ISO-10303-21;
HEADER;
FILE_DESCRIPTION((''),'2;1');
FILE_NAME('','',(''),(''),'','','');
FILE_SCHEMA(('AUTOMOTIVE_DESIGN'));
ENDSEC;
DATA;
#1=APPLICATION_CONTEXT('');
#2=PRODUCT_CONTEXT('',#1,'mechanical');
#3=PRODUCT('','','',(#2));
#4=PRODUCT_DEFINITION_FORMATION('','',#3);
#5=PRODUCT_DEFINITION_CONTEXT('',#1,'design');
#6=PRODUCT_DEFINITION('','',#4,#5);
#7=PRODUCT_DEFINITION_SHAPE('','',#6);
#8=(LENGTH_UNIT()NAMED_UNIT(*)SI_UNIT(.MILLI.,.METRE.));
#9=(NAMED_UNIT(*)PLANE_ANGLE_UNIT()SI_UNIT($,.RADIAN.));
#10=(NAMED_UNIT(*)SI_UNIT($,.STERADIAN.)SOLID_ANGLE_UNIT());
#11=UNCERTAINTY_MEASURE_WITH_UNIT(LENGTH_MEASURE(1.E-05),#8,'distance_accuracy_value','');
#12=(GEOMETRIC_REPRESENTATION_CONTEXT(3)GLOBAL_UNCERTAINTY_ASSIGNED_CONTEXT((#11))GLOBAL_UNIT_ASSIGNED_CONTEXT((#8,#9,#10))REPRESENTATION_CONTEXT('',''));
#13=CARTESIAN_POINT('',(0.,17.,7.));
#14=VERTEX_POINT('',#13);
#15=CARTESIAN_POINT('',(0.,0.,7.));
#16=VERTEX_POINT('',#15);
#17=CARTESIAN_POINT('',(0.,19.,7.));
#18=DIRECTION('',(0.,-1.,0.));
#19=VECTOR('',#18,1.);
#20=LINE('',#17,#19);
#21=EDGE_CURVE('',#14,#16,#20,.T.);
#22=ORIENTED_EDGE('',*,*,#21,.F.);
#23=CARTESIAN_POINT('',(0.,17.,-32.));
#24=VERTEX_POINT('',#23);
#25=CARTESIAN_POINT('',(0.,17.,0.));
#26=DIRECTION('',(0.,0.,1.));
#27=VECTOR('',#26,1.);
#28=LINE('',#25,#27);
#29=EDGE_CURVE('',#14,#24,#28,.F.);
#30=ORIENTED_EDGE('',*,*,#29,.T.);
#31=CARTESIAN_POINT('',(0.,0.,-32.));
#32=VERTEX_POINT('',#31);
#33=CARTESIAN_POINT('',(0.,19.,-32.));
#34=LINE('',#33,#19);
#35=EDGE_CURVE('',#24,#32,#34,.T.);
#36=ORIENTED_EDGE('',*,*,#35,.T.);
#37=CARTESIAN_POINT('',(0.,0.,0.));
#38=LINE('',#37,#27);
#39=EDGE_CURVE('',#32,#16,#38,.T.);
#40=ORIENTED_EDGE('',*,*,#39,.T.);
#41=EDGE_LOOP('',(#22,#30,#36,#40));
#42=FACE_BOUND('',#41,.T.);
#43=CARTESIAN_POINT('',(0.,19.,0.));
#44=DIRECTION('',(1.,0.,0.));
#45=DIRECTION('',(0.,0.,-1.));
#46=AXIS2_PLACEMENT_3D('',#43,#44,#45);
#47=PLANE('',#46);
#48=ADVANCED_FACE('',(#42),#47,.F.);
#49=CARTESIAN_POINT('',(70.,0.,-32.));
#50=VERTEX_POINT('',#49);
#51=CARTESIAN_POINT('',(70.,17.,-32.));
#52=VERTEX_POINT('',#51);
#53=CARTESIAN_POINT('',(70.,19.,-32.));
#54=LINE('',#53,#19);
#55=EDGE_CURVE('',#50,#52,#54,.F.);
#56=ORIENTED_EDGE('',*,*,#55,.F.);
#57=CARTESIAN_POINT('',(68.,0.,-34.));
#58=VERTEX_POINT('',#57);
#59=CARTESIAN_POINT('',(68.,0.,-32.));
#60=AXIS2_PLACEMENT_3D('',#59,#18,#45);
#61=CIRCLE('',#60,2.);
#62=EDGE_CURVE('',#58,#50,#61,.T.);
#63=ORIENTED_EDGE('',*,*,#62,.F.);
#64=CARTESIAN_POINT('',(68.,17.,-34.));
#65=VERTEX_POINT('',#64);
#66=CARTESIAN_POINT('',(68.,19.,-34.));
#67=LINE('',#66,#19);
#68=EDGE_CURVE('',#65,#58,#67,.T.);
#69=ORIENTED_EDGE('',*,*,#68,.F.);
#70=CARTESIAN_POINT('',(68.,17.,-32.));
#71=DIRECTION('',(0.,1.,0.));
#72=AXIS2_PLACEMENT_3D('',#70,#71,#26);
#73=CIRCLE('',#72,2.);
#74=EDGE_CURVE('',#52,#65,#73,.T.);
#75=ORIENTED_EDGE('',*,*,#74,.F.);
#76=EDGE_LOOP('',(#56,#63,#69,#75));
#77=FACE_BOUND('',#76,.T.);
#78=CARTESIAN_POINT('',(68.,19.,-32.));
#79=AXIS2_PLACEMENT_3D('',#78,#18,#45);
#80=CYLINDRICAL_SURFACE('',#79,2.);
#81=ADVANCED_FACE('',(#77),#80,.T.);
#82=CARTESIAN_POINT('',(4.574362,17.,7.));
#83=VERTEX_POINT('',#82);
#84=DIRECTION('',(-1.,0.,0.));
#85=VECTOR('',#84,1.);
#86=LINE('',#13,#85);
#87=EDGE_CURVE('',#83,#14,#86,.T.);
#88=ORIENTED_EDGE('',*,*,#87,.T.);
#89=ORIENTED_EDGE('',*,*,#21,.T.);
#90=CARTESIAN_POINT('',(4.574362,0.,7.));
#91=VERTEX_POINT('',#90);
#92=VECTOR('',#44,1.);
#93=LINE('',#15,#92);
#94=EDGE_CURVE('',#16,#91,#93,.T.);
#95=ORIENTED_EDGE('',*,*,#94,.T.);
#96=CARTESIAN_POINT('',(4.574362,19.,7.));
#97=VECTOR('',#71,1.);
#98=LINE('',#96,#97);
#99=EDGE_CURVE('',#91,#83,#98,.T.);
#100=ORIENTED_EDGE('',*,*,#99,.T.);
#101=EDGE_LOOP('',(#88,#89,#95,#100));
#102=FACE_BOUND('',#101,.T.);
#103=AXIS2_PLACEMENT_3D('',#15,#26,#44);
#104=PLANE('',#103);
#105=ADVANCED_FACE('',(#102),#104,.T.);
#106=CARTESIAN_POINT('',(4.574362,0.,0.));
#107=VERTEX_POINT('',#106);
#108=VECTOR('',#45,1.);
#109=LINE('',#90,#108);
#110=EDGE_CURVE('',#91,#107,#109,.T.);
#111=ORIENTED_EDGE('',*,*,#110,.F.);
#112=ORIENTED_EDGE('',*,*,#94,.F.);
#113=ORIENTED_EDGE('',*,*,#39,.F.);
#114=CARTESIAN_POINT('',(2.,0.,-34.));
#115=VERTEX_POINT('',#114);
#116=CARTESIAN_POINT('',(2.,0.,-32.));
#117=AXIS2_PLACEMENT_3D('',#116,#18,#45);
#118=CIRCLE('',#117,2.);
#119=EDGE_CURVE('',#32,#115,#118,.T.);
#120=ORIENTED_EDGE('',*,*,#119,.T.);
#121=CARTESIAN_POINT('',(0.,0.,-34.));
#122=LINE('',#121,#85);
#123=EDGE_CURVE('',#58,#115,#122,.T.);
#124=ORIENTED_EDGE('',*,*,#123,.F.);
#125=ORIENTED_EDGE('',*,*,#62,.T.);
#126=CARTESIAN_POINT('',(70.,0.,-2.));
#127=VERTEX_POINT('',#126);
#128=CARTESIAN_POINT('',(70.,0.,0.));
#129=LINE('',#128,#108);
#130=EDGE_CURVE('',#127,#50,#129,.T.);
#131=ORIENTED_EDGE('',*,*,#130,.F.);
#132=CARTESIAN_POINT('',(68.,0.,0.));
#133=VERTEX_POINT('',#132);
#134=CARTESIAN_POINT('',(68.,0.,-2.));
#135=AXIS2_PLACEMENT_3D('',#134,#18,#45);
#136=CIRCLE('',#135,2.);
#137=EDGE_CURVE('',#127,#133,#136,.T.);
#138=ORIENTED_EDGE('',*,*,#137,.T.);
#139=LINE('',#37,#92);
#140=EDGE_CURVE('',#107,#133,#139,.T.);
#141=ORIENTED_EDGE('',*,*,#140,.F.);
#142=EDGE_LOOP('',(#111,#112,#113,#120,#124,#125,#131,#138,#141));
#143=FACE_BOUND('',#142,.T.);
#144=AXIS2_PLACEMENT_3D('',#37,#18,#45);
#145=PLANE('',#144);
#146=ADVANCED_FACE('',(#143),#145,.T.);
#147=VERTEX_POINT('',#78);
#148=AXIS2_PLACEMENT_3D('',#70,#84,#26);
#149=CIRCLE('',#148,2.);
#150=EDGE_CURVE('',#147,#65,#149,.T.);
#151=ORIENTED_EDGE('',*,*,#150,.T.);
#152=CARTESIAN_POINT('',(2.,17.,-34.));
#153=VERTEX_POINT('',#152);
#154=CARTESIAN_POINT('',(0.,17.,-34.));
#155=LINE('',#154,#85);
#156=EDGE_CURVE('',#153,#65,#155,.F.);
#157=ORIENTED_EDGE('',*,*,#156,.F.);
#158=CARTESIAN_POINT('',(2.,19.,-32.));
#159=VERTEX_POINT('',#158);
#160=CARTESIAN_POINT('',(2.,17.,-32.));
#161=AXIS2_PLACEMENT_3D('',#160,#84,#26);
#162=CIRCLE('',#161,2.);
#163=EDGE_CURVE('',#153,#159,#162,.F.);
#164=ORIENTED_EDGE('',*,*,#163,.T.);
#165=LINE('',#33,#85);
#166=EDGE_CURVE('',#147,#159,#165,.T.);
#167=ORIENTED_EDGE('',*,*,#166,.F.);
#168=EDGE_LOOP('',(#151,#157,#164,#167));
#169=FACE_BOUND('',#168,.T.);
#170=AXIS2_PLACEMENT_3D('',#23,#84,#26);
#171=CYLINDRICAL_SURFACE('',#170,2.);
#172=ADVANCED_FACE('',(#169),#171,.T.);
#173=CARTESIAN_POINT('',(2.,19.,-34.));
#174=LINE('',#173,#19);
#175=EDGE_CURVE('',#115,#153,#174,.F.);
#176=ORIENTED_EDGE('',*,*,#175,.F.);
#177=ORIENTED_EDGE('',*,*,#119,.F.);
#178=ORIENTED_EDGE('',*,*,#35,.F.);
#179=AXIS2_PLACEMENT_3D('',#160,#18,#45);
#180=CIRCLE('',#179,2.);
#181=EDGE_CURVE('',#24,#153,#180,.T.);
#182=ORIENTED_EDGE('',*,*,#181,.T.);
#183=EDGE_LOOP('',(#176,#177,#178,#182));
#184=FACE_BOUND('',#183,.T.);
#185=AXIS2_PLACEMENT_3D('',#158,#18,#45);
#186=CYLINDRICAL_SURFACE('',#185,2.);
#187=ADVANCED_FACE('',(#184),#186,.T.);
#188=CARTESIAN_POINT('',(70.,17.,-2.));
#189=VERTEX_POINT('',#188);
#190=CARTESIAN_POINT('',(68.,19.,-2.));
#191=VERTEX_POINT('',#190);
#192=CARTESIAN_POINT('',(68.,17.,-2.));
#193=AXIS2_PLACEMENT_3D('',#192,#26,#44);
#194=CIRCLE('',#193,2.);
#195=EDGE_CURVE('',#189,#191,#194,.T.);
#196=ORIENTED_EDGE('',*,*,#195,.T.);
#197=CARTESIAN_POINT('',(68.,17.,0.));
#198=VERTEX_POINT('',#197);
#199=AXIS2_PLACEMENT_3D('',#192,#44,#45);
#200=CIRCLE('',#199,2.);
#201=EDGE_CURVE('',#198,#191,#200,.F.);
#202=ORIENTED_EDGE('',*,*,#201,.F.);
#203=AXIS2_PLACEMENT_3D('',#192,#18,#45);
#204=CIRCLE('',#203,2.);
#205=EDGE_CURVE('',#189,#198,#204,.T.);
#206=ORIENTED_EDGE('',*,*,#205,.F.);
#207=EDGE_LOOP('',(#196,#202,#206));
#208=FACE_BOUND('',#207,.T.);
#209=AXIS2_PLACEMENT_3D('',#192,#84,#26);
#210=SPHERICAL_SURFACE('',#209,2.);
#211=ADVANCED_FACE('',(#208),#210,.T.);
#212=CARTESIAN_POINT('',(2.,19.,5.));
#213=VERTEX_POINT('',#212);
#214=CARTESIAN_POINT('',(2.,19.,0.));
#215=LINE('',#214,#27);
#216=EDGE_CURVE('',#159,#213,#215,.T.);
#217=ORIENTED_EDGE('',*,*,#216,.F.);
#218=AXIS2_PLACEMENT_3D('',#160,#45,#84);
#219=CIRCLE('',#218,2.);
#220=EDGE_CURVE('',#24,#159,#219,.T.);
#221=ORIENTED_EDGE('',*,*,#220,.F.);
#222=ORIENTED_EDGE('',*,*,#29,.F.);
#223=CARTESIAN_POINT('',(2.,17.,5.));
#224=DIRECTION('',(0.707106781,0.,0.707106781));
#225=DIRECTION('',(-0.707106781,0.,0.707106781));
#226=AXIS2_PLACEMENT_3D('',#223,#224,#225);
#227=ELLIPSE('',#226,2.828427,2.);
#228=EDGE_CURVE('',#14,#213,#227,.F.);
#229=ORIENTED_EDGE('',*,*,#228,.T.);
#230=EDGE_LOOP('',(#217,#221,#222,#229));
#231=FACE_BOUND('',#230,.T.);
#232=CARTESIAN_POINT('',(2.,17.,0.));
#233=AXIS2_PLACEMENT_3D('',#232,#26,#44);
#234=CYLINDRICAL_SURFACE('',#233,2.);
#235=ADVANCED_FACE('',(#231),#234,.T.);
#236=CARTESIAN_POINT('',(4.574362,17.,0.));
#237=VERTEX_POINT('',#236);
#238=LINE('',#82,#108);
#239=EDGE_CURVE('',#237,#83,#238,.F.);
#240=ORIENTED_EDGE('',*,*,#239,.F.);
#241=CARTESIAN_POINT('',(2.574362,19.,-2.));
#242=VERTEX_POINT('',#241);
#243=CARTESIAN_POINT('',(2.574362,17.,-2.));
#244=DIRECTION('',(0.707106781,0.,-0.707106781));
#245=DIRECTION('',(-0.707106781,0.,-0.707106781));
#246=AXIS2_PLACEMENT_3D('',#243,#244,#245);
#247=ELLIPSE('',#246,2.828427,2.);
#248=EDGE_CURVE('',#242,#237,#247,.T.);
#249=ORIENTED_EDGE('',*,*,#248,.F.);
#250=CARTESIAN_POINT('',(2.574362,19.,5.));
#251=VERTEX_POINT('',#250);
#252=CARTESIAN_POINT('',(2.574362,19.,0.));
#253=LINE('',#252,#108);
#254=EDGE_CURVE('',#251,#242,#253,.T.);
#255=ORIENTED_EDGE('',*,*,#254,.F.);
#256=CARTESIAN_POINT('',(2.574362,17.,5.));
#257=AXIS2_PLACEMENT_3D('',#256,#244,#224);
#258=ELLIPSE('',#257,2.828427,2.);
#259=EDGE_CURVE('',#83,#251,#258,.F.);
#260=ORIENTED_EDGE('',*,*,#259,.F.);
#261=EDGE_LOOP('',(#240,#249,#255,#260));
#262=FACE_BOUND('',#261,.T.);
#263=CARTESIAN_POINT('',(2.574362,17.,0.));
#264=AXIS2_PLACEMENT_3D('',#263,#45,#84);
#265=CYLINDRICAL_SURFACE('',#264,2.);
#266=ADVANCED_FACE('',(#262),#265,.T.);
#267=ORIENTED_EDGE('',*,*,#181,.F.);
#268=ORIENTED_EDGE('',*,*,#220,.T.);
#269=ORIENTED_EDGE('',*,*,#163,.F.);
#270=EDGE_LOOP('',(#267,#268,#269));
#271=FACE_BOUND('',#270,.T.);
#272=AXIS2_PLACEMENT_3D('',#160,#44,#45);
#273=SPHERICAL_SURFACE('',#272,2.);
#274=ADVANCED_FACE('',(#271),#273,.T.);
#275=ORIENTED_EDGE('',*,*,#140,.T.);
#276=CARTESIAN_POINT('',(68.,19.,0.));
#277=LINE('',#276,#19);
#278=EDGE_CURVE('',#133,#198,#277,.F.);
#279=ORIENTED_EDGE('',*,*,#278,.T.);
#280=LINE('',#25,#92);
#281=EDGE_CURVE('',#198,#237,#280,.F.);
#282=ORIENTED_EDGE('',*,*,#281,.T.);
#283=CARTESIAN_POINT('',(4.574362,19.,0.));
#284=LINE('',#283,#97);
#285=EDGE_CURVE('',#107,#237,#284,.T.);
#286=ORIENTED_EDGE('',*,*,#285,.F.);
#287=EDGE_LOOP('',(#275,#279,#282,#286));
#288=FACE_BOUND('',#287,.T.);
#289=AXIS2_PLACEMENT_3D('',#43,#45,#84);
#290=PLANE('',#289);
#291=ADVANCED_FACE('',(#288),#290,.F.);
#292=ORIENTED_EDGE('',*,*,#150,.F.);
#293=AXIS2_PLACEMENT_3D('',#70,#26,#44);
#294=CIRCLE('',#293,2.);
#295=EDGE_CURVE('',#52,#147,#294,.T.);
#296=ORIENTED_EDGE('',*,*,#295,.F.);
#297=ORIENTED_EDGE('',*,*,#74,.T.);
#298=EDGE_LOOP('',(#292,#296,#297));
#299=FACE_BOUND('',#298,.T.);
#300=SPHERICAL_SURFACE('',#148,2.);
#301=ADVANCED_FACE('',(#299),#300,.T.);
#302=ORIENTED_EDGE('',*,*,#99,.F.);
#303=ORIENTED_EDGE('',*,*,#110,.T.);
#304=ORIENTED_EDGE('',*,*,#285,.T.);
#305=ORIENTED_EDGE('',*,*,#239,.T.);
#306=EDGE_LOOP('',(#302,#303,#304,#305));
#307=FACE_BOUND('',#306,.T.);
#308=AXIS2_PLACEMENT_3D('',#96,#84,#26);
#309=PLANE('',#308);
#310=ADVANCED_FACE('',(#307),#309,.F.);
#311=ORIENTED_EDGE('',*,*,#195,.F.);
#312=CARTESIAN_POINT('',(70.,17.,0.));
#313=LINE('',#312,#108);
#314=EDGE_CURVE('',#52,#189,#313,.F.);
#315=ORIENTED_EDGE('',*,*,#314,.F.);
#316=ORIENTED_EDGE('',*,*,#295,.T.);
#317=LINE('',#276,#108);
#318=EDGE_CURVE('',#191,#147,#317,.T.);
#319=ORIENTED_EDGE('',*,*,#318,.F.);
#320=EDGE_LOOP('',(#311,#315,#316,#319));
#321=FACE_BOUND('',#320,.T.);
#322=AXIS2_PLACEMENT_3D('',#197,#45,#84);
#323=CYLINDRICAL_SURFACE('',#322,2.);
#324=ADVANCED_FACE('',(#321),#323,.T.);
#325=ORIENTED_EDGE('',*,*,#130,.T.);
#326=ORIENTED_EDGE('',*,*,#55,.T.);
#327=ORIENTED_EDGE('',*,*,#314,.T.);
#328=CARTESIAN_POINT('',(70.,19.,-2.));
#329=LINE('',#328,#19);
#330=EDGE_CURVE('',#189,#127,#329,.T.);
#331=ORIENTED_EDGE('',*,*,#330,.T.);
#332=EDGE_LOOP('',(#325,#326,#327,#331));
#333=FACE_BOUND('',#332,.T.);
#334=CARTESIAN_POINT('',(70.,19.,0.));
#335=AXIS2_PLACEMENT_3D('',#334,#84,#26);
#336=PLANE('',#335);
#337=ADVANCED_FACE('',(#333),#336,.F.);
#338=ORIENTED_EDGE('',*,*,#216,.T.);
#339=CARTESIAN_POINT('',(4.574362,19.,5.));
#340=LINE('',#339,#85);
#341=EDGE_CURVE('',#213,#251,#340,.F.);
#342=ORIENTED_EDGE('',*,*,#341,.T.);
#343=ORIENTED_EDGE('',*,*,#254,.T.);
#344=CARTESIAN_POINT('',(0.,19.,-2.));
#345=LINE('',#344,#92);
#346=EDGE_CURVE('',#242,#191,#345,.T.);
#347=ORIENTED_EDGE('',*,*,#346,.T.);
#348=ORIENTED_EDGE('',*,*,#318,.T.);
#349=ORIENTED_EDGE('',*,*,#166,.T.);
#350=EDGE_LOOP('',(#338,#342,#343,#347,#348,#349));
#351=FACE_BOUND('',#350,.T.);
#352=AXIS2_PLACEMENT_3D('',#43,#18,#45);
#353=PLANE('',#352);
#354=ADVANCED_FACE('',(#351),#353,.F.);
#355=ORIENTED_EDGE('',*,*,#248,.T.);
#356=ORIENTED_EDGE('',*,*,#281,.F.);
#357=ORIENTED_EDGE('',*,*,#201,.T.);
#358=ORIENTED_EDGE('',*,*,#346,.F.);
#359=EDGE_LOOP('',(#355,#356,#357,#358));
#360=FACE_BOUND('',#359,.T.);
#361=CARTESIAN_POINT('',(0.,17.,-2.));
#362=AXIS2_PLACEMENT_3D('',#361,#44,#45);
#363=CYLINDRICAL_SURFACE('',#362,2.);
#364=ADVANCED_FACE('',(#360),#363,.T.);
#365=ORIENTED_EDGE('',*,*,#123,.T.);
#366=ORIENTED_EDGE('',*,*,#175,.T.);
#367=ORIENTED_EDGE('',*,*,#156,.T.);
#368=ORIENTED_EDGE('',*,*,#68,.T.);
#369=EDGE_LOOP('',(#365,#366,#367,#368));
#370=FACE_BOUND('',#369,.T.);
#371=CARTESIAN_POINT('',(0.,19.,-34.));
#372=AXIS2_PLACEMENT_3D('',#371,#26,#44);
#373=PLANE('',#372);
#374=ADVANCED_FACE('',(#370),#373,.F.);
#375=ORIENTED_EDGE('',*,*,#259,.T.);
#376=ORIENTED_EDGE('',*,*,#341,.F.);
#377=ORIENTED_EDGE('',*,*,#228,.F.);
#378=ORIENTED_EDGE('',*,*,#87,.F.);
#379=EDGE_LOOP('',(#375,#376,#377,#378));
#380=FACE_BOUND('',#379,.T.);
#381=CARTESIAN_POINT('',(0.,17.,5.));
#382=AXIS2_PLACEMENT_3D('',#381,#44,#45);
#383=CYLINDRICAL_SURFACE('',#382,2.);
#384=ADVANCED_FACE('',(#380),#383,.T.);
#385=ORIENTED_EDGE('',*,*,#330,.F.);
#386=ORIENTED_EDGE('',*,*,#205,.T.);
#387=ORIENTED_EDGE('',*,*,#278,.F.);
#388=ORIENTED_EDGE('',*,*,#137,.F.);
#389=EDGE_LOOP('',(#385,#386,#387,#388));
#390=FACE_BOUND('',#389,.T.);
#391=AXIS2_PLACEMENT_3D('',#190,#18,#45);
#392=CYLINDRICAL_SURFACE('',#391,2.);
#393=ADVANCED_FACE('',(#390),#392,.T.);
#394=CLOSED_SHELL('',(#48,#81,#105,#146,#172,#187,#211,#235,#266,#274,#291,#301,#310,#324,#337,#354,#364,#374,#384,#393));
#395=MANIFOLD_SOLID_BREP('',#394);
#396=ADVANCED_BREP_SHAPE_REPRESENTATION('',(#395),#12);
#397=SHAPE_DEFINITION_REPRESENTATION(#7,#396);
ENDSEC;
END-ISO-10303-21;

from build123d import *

# Parameters (mm, degrees)
SKETCH1_W           = 70
SKETCH1_H           = 34
BOSS_EXTRUDE1_DEPTH = 19
SKETCH2_W           = 4.574362022
SKETCH2_H           = 19
BOSS_EXTRUDE2_DEPTH = 7
FILLET2_R           = 2
FILLET3_R           = 2


with BuildPart() as part:
    # Sketch1 → Boss-Extrude1 (new body)
    with BuildSketch(Plane(origin=(0, 0, 0), x_dir=(1, 0, 0), z_dir=(0, 1, 0))):
        with Locations((35, 17)):
            Rectangle(SKETCH1_W, SKETCH1_H)
    extrude(amount=BOSS_EXTRUDE1_DEPTH)

    # Sketch2 → Boss-Extrude2 (add)
    with BuildSketch(Plane.XY):
        with Locations((2.287181011, 9.5)):
            Rectangle(SKETCH2_W, SKETCH2_H)
    extrude(amount=BOSS_EXTRUDE2_DEPTH)

    # Fillet2
    fillet2_edges = [part.edges().sort_by_distance(p)[0] for p in [
        (35, 19, -34),
        (37.287181011, 19, 0),
    ]]
    fillet(fillet2_edges, radius=FILLET2_R)

    # Fillet3
    fillet3_edges = [part.edges().sort_by_distance(p)[0] for p in [
        (0, 8.5, -34),
        (0, 18.414213562, -33.414213562),
        (70, 8.5, 0),
        (70, 18.414213562, -0.585786438),
        (70, 18.414213562, -33.414213562),
        (4.574362022, 19, 2.5),
        (2.287181011, 19, 7),
        (0, 19, -12.5),
        (70, 19, -17),
        (70, 8.5, -34),
    ]]
    fillet(fillet3_edges, radius=FILLET3_R)


solid = part.part
